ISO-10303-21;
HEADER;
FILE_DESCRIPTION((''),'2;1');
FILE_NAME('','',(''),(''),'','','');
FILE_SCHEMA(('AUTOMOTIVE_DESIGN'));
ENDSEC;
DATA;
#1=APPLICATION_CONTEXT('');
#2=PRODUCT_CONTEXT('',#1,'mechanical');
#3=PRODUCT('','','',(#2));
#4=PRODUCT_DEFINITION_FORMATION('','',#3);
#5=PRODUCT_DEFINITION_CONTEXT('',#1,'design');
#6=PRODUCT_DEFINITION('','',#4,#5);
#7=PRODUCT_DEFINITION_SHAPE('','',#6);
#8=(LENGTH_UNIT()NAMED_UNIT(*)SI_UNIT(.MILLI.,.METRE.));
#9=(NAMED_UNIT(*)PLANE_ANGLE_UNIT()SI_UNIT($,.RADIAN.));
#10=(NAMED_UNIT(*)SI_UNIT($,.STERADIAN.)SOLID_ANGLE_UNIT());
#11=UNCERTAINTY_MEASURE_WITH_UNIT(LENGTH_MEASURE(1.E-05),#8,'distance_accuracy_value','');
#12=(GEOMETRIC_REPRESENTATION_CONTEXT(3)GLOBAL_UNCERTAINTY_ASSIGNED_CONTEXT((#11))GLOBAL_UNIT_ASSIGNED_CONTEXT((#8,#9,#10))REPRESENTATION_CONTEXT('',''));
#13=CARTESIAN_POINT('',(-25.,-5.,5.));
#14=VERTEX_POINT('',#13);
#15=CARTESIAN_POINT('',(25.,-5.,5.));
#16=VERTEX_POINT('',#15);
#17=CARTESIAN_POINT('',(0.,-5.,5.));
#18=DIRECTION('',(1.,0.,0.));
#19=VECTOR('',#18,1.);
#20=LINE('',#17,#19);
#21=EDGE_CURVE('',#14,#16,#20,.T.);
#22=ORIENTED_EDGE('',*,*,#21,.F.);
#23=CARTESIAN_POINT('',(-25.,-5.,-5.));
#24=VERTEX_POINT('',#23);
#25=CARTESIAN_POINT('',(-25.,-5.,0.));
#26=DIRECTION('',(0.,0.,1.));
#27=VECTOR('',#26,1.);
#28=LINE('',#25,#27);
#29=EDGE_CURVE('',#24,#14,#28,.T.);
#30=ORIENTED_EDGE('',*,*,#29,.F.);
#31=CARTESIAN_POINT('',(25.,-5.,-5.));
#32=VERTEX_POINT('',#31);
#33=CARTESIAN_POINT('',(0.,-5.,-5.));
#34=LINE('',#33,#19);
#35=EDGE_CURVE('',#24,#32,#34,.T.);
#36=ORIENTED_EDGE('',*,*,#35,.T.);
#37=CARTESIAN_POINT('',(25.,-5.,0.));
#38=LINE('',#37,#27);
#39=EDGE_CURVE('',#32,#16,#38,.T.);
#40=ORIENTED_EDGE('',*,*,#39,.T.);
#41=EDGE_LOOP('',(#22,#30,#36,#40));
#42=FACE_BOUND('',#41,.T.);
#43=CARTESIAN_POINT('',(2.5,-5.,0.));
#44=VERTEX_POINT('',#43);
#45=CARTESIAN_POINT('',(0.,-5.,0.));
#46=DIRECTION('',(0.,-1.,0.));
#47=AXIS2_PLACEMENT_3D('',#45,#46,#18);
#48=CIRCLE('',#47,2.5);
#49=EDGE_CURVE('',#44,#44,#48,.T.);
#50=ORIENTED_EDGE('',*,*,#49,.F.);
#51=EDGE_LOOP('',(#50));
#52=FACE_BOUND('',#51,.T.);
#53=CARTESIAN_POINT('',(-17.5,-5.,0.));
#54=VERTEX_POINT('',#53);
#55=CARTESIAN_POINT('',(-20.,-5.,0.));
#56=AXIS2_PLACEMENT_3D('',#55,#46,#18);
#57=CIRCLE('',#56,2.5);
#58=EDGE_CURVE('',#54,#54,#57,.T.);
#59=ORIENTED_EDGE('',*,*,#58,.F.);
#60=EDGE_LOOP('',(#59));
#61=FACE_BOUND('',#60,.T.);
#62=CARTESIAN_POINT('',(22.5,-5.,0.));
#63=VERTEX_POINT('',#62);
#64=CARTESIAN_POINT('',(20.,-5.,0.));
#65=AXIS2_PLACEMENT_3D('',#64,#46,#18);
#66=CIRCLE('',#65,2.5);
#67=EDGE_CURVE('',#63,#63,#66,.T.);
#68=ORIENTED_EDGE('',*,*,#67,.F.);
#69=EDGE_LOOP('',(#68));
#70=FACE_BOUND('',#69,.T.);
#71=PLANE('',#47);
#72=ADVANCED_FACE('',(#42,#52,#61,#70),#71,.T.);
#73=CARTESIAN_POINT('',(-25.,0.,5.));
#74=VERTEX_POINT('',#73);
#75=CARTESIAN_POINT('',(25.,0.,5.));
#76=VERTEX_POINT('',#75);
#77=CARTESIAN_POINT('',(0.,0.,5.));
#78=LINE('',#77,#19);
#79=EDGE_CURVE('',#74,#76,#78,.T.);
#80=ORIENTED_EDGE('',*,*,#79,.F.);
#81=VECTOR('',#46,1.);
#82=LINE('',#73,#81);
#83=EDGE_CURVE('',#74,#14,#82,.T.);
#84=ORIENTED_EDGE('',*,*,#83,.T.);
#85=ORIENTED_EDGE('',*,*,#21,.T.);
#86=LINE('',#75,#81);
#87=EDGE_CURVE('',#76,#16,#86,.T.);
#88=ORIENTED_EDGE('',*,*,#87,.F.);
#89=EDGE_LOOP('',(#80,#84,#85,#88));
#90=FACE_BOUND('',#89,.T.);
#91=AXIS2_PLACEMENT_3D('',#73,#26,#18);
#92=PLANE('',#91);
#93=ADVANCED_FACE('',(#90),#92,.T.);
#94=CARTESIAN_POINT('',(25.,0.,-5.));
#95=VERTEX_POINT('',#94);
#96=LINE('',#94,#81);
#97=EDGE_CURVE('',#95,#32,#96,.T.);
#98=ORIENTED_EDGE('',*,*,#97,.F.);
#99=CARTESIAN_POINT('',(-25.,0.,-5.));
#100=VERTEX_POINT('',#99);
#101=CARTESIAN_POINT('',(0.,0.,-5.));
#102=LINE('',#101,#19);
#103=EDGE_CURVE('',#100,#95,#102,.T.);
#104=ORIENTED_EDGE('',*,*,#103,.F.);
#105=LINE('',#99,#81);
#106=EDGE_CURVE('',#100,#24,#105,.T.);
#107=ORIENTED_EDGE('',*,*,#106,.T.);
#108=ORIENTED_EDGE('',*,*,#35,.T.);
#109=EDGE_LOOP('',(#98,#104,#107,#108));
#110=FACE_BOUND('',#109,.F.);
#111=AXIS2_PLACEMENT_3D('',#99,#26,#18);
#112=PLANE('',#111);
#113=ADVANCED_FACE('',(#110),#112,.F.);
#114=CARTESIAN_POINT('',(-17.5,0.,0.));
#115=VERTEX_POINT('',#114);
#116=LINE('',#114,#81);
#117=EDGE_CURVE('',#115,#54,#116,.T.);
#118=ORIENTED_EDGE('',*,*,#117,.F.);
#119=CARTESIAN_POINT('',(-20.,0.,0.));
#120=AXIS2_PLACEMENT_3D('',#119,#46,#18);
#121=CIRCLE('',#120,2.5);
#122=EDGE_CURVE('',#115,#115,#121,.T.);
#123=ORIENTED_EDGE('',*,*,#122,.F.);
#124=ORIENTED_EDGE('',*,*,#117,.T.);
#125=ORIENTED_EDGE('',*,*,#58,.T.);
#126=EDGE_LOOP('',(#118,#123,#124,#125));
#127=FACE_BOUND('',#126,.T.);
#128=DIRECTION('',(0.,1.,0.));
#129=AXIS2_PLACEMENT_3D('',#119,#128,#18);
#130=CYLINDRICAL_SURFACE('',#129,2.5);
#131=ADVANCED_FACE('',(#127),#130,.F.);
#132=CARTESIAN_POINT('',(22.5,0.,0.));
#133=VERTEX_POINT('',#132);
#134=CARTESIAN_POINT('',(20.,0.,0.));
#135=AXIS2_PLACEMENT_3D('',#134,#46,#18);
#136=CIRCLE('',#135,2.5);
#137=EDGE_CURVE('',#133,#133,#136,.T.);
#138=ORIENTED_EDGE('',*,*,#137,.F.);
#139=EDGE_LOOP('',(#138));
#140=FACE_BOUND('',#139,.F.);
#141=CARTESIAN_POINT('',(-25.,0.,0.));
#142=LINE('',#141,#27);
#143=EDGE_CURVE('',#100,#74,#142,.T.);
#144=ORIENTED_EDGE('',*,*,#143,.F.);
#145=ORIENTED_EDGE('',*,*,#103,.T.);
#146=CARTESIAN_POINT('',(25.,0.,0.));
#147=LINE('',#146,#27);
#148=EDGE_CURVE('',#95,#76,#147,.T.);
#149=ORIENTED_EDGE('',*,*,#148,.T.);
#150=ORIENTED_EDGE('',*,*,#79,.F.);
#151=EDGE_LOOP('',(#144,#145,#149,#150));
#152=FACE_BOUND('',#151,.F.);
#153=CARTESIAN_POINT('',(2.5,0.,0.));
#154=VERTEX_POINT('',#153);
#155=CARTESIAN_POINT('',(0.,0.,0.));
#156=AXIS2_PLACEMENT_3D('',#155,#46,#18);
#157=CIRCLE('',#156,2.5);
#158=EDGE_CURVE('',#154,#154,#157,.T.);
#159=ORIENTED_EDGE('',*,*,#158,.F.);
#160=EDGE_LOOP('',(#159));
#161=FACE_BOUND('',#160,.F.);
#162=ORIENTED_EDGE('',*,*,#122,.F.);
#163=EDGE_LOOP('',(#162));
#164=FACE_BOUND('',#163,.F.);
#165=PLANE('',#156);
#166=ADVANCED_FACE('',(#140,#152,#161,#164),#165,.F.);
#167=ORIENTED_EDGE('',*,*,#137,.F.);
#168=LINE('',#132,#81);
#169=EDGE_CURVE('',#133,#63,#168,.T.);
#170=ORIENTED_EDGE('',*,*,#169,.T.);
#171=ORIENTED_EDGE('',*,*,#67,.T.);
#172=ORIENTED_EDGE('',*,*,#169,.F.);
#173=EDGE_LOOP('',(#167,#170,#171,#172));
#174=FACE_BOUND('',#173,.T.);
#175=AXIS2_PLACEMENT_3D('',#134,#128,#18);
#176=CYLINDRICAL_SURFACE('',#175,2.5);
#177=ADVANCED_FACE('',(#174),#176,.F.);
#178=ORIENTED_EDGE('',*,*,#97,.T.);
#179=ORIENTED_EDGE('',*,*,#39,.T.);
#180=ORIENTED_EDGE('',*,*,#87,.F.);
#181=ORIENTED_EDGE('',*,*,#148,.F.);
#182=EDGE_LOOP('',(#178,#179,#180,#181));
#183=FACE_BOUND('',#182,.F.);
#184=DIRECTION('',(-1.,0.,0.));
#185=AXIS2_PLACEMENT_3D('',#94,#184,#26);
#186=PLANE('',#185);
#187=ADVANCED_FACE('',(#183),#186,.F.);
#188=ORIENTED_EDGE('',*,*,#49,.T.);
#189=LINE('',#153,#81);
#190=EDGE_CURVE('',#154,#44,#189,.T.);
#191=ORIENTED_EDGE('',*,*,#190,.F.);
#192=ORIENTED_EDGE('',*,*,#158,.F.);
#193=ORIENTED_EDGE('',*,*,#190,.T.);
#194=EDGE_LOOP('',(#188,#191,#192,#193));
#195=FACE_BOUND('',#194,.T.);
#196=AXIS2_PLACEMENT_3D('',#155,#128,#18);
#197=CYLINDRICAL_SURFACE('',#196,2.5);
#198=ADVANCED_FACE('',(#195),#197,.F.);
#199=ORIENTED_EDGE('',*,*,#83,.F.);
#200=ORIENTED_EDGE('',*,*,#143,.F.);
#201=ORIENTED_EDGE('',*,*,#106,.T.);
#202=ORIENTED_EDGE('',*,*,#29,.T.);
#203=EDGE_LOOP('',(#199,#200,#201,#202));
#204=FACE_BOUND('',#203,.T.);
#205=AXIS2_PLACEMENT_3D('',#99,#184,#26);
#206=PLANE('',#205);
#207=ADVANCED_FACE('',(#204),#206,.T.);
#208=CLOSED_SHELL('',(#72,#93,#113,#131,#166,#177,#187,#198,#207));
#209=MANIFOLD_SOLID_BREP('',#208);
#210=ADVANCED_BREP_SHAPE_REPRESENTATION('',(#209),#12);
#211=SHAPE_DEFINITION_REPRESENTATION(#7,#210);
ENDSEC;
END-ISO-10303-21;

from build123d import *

# Parameters (mm, degrees)
F1_W     = 50
F1_H     = 10
F1_R     = 2.5
F2_DEPTH = 5


with BuildPart() as f2:
    # F1 (on face) → F2 (new body)
    with BuildSketch(Plane.XZ):
        Rectangle(F1_W, F1_H)
        with Locations((-20, 0)):
            Circle(F1_R, mode=Mode.SUBTRACT)
        Circle(F1_R, mode=Mode.SUBTRACT)
        with Locations((20, 0)):
            Circle(F1_R, mode=Mode.SUBTRACT)
    extrude(amount=F2_DEPTH)


solid = f2.part
